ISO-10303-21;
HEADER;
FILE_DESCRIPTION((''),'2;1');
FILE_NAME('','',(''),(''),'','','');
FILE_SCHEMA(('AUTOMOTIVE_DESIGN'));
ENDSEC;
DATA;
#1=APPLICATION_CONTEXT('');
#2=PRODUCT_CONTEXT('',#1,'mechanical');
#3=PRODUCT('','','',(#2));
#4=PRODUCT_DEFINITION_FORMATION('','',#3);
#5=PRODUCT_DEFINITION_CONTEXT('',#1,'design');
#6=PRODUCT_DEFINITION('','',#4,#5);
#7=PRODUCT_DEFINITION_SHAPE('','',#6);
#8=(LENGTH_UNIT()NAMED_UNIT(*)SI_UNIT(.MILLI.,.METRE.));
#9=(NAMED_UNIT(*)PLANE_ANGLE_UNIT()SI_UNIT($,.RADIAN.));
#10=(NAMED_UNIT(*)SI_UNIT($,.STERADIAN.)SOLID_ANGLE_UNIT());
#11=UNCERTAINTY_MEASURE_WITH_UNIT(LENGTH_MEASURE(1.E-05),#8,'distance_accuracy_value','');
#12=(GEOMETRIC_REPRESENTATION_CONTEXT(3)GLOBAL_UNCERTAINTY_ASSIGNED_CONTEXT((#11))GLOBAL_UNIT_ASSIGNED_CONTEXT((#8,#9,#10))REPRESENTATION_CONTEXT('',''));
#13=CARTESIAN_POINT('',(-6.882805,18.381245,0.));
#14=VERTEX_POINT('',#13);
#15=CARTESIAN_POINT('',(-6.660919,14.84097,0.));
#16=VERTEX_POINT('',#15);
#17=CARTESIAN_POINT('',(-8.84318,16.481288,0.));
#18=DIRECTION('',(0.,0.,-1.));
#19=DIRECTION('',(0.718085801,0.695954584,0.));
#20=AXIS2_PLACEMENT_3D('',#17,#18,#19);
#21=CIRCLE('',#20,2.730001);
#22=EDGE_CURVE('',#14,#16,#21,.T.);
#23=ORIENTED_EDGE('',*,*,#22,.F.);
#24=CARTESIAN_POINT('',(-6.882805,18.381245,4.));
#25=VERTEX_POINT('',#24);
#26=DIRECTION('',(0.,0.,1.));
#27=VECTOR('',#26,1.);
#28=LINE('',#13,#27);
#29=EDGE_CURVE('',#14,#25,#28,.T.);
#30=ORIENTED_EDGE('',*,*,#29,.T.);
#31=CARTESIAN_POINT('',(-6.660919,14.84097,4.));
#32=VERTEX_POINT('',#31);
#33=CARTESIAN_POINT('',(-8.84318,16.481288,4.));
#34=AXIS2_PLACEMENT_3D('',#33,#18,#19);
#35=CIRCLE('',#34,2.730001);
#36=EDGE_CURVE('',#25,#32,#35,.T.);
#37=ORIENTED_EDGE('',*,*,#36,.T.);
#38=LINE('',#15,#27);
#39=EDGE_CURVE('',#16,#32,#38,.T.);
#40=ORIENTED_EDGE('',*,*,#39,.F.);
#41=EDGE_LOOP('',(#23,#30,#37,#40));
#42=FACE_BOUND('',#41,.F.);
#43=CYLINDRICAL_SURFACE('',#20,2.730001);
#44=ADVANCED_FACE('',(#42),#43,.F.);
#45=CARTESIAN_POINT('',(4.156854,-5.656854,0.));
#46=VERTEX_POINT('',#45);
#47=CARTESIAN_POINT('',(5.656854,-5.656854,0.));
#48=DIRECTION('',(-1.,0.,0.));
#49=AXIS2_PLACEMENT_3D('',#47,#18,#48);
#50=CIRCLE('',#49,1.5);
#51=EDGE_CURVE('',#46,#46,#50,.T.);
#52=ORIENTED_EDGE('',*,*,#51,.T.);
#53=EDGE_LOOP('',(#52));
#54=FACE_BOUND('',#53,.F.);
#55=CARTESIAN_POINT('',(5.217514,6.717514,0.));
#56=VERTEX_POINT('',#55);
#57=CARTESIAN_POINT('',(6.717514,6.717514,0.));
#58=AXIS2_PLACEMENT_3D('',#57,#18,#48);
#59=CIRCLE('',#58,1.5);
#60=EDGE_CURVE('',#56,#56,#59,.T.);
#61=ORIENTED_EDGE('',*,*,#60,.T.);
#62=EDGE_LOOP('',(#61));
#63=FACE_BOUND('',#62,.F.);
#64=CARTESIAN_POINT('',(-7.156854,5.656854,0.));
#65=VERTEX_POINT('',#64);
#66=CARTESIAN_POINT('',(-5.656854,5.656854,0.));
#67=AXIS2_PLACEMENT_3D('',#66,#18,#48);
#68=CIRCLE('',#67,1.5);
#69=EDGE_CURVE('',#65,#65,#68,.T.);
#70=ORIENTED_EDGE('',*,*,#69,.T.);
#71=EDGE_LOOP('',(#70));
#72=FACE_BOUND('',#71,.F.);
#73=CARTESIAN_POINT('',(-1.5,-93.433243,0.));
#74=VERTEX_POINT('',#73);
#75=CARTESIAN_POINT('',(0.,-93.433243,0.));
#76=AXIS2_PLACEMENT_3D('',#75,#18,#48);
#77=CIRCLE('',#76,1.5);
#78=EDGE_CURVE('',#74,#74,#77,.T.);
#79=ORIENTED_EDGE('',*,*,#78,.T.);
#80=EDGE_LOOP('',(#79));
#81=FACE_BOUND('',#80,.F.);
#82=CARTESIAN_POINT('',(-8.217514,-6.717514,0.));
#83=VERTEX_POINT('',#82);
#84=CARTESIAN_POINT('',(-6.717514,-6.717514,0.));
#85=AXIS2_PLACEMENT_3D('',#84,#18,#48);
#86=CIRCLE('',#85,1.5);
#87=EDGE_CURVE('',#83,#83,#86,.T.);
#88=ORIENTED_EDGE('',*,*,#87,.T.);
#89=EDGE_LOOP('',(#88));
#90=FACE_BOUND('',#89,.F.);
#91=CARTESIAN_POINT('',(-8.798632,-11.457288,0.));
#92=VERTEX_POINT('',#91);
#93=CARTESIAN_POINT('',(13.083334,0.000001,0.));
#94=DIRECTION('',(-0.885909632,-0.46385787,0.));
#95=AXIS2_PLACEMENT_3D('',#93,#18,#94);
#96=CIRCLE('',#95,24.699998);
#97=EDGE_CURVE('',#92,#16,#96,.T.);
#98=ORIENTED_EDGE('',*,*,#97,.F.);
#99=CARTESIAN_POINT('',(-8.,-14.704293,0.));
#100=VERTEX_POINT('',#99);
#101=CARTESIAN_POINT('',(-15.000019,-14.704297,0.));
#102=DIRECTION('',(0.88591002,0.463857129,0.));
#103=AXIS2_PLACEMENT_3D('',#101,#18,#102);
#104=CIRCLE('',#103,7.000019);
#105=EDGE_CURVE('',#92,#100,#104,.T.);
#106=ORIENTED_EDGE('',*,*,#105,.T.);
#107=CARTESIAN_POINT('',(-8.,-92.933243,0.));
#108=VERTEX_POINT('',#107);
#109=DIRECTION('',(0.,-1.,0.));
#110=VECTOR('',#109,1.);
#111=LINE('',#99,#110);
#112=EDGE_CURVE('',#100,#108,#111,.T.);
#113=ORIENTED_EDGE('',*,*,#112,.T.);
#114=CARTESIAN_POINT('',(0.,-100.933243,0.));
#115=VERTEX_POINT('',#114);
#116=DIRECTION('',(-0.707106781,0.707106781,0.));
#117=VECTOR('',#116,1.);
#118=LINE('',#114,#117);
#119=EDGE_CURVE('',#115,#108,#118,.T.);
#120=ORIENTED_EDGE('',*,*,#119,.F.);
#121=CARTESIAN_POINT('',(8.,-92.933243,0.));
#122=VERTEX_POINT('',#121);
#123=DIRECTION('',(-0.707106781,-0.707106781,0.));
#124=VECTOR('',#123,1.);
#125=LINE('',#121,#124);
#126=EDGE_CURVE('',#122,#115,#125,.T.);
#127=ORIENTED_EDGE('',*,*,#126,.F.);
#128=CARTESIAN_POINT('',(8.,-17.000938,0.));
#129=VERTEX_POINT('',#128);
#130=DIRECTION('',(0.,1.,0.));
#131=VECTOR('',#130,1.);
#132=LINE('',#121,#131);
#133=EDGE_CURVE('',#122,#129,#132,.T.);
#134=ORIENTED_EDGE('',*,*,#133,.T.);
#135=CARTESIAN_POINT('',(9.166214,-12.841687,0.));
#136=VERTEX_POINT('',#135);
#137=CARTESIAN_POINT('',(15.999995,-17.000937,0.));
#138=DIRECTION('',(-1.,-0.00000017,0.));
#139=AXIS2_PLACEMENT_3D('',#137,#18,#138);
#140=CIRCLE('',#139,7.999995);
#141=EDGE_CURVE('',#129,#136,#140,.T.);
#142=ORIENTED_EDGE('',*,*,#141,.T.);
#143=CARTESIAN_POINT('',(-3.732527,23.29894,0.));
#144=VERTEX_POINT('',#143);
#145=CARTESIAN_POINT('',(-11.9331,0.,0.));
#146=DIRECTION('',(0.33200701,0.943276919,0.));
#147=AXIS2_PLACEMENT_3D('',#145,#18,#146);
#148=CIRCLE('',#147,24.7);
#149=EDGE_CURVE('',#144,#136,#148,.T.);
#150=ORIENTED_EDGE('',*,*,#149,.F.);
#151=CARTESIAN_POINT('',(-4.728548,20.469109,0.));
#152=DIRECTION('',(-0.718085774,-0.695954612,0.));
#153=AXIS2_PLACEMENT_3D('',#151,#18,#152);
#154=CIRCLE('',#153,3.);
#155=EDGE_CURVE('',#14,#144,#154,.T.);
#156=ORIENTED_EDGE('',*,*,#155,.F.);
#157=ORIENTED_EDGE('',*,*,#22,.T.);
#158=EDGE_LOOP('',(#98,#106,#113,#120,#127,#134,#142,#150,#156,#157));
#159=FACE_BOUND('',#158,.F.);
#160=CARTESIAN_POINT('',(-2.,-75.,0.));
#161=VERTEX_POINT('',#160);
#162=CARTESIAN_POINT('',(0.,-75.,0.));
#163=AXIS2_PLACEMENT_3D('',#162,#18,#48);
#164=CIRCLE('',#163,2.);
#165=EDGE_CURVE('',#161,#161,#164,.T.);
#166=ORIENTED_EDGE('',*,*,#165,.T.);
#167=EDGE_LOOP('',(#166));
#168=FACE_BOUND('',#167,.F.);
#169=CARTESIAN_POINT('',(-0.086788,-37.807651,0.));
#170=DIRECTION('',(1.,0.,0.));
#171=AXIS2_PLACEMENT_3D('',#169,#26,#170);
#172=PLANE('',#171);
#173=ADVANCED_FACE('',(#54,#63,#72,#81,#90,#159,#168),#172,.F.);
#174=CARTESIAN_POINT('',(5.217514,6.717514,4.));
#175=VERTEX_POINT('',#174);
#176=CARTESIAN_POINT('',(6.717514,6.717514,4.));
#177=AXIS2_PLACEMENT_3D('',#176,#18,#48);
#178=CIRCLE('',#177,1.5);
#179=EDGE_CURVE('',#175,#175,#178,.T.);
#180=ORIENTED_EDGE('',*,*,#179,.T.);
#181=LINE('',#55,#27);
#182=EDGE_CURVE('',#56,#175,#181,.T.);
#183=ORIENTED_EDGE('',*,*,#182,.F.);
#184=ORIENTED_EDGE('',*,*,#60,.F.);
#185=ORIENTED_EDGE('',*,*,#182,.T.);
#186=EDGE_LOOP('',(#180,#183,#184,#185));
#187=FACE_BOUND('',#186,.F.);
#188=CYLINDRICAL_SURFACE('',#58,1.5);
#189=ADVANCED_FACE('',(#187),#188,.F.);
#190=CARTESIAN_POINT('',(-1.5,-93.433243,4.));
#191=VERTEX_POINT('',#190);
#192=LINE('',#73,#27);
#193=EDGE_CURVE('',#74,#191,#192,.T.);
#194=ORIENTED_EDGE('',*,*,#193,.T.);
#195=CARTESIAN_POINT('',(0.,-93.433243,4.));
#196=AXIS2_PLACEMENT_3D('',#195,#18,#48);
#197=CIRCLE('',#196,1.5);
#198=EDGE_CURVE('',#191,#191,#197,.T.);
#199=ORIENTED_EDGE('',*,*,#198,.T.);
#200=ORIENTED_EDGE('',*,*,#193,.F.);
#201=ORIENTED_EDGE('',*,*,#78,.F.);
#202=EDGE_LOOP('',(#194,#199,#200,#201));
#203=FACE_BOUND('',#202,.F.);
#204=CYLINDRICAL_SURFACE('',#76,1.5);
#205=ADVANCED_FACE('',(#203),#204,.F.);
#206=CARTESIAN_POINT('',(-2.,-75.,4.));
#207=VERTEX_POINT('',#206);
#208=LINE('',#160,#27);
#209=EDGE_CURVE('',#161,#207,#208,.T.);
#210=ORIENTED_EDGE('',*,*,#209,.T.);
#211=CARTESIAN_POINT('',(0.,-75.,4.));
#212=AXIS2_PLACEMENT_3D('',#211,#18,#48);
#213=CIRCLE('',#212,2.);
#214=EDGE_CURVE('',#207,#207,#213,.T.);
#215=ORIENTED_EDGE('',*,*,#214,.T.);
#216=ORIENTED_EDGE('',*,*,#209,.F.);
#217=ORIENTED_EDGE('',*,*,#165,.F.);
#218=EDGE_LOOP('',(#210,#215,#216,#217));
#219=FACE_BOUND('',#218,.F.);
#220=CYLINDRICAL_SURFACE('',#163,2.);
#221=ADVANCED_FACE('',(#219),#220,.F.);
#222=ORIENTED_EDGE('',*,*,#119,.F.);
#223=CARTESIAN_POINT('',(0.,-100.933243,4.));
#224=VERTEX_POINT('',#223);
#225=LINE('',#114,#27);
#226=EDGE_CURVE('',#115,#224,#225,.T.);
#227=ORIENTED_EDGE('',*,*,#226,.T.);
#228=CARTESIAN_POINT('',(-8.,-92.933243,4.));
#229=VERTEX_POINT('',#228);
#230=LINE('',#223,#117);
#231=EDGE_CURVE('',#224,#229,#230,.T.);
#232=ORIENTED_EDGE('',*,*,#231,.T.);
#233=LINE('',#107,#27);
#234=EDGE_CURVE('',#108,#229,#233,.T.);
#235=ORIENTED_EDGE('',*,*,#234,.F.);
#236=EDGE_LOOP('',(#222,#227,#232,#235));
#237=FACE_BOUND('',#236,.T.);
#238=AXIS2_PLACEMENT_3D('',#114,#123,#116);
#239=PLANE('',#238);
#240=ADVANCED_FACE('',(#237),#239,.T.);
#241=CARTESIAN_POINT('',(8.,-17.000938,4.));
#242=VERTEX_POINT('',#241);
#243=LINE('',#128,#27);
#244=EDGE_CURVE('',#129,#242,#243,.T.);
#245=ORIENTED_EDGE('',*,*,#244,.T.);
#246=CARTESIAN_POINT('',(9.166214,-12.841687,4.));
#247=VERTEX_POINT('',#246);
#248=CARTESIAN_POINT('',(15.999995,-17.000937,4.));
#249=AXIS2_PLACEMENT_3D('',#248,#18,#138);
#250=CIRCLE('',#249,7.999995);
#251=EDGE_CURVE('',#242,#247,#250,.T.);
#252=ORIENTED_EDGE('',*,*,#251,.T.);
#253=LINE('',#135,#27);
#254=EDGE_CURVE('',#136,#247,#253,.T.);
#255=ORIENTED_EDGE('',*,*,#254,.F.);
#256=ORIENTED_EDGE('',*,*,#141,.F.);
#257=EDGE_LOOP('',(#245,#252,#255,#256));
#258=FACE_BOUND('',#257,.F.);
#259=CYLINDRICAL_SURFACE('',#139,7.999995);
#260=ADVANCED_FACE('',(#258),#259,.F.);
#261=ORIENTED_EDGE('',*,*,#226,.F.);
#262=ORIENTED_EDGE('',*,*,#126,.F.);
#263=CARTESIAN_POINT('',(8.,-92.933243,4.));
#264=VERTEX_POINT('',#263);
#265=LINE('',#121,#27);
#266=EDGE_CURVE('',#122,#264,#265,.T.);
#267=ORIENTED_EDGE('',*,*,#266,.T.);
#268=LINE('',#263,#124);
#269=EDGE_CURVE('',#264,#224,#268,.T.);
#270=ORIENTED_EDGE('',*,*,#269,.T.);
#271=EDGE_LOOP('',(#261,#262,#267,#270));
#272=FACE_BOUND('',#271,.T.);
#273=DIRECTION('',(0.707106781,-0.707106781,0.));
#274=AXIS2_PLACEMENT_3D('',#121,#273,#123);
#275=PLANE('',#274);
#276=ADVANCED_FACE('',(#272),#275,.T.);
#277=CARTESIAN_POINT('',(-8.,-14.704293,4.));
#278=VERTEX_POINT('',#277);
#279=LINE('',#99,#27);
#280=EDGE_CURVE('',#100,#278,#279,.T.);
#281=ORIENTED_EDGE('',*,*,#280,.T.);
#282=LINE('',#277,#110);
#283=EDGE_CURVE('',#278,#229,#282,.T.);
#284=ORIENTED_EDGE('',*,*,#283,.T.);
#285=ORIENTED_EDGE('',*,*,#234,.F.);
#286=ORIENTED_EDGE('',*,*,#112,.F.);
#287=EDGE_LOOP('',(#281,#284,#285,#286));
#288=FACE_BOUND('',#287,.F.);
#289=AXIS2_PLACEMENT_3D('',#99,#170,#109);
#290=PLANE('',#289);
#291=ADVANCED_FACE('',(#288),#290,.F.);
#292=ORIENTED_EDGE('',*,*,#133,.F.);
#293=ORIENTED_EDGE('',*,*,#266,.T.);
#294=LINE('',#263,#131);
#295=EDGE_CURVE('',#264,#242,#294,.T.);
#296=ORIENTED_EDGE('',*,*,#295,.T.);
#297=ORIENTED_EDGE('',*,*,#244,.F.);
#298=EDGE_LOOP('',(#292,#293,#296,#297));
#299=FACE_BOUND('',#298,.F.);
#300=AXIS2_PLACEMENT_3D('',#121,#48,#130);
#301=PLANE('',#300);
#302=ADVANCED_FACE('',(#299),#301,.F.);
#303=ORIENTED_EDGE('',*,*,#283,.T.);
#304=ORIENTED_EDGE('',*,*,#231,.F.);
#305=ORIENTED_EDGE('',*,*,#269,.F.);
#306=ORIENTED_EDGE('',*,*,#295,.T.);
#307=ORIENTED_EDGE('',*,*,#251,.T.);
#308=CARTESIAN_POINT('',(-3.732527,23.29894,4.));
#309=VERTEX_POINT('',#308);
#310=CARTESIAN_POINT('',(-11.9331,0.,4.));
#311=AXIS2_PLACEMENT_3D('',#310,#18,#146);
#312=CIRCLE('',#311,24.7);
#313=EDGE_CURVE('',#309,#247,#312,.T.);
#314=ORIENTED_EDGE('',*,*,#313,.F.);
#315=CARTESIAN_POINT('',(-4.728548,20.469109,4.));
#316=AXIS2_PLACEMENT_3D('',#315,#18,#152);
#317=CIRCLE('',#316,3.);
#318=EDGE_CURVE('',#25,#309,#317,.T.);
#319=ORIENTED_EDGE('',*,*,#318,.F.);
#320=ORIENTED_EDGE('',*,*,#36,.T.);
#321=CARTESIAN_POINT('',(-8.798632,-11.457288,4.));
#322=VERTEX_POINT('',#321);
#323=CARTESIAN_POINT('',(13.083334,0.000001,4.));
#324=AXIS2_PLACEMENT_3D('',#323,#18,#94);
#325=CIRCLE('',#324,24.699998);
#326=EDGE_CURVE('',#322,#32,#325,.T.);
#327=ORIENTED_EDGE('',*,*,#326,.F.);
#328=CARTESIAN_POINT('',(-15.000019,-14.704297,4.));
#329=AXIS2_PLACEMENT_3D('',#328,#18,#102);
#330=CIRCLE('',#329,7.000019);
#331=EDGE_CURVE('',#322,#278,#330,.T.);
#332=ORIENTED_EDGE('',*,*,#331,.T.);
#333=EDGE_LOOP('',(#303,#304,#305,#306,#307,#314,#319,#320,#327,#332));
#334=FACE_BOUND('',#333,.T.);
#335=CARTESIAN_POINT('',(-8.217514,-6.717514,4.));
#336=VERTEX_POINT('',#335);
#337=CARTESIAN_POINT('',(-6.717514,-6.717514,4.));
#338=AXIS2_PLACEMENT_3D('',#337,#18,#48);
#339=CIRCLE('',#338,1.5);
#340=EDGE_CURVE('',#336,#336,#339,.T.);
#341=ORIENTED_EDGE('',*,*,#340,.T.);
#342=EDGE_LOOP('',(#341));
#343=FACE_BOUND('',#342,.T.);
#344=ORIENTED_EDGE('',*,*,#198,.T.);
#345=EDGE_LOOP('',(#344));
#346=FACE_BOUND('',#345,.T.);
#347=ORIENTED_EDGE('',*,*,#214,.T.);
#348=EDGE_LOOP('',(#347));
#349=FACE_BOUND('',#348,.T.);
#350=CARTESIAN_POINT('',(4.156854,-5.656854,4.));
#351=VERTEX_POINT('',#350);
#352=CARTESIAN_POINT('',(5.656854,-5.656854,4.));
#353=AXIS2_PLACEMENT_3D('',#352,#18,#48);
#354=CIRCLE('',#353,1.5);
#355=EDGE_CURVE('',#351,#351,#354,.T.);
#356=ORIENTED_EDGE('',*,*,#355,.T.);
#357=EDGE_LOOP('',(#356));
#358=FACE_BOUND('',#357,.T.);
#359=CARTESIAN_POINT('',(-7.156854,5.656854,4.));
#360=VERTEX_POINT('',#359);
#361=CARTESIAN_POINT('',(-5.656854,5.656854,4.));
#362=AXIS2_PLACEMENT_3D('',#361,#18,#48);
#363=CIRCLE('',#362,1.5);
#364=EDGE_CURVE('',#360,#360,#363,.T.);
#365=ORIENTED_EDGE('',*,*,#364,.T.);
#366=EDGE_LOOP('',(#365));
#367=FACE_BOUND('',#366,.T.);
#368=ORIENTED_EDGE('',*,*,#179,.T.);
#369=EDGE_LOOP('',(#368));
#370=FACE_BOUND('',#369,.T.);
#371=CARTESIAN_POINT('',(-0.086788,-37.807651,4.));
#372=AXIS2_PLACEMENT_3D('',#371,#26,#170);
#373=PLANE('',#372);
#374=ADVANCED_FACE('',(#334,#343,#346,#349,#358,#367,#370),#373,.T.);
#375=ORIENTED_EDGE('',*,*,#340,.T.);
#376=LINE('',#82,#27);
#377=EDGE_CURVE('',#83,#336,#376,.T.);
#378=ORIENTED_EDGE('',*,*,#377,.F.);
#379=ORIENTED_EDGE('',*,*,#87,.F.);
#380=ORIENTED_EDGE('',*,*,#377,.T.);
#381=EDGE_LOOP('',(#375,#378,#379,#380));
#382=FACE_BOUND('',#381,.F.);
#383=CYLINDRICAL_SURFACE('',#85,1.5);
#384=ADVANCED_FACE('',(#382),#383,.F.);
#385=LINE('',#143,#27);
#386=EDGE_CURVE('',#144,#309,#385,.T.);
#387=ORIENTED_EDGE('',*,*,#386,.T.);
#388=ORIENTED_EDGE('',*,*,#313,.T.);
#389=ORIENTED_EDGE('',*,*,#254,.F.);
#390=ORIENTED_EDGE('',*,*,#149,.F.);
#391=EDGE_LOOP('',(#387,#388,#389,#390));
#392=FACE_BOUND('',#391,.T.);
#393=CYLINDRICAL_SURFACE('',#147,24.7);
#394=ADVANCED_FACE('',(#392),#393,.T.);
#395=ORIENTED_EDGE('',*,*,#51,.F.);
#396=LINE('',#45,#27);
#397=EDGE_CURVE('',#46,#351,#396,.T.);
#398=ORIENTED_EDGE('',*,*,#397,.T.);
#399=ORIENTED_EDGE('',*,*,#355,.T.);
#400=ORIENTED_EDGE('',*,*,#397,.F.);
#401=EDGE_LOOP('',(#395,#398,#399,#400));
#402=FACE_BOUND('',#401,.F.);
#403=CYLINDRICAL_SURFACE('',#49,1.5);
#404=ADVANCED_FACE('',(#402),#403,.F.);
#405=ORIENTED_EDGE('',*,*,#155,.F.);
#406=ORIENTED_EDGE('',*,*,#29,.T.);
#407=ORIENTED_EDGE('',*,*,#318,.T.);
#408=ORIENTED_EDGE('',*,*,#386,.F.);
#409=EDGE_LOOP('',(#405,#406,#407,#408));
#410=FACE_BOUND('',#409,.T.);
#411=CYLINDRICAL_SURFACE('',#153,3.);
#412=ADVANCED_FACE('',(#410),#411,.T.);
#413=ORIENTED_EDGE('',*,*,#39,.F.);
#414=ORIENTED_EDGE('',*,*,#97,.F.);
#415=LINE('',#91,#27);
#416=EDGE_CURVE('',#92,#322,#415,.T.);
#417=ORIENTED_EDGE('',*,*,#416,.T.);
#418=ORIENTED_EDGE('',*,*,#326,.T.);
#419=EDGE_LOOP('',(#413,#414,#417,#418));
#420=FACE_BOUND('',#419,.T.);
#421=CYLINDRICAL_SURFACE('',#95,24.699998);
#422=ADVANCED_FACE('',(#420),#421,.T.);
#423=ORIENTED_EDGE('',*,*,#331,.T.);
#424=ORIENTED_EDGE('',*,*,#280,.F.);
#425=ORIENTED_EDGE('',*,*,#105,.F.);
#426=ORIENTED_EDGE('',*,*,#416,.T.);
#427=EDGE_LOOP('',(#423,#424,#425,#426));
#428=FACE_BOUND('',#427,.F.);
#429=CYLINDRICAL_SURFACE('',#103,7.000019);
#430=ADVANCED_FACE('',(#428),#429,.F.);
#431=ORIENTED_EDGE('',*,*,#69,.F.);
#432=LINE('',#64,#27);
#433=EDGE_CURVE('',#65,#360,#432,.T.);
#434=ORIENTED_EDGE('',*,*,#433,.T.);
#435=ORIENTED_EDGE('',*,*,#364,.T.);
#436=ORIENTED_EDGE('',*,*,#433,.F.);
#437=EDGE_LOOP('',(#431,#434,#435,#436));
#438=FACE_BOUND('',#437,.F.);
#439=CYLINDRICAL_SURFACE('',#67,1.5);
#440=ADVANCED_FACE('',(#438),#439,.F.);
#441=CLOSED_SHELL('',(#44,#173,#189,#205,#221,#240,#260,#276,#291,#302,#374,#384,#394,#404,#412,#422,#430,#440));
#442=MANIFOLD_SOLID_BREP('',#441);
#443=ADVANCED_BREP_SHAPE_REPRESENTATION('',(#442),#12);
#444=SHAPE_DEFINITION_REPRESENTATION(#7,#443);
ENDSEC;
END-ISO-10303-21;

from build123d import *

# Parameters (mm, degrees)
SKETCH002_R                = 2
SKETCH002_R_2              = 1.5
EXTRUDE001_DEPTH           = 4
EXTRUDE001_PLACEMENT_ANGLE = 180


with BuildPart() as part:
    # Sketch002 → Extrude001 (new body)
    with BuildSketch(Plane.XY):
        with BuildLine():
            Line((-8, -92.933243), (-8, -17.000938))
            ThreePointArc((-8, -17.000938), (-8.297069, -14.84111), (-9.166214, -12.841687))
            ThreePointArc((3.732527, 23.29894), (-11.329683, 8.302585), (-9.166214, -12.841687))
            ThreePointArc((6.882805, 18.381245), (7.254673, 22.087346), (3.732527, 23.29894))
            ThreePointArc((6.882805, 18.381245), (6.118525, 16.652055), (6.660919, 14.84097))
            ThreePointArc((8.798632, -11.457288), (11.535462, 2.001195), (6.660919, 14.84097))
            ThreePointArc((8.798632, -11.457288), (8.20259, -13.032404), (8, -14.704293))
            Line((8, -14.704293), (8, -42.316849))
            Line((8, -42.316849), (8, -92.933243))
            Line((0, -100.933243), (8, -92.933243))
            Line((-8, -92.933243), (0, -100.933243))
        make_face()
        with Locations((0, -75)):
            Circle(SKETCH002_R, mode=Mode.SUBTRACT)
        with Locations((0, -93.433243)):
            Circle(SKETCH002_R_2, mode=Mode.SUBTRACT)
        with Locations((6.717514, -6.717514)):
            Circle(SKETCH002_R_2, mode=Mode.SUBTRACT)
        with Locations((-5.656854, -5.656854)):
            Circle(SKETCH002_R_2, mode=Mode.SUBTRACT)
        with Locations((-6.717514, 6.717514)):
            Circle(SKETCH002_R_2, mode=Mode.SUBTRACT)
        with Locations((5.656854, 5.656854)):
            Circle(SKETCH002_R_2, mode=Mode.SUBTRACT)
    extrude(amount=-EXTRUDE001_DEPTH)


with BuildPart() as part_1:
    # Extrude001 placement: moved
    add(part.part.rotate(Axis((0, 0, 0), (0, 1, 0)), EXTRUDE001_PLACEMENT_ANGLE))


solid = part_1.part
